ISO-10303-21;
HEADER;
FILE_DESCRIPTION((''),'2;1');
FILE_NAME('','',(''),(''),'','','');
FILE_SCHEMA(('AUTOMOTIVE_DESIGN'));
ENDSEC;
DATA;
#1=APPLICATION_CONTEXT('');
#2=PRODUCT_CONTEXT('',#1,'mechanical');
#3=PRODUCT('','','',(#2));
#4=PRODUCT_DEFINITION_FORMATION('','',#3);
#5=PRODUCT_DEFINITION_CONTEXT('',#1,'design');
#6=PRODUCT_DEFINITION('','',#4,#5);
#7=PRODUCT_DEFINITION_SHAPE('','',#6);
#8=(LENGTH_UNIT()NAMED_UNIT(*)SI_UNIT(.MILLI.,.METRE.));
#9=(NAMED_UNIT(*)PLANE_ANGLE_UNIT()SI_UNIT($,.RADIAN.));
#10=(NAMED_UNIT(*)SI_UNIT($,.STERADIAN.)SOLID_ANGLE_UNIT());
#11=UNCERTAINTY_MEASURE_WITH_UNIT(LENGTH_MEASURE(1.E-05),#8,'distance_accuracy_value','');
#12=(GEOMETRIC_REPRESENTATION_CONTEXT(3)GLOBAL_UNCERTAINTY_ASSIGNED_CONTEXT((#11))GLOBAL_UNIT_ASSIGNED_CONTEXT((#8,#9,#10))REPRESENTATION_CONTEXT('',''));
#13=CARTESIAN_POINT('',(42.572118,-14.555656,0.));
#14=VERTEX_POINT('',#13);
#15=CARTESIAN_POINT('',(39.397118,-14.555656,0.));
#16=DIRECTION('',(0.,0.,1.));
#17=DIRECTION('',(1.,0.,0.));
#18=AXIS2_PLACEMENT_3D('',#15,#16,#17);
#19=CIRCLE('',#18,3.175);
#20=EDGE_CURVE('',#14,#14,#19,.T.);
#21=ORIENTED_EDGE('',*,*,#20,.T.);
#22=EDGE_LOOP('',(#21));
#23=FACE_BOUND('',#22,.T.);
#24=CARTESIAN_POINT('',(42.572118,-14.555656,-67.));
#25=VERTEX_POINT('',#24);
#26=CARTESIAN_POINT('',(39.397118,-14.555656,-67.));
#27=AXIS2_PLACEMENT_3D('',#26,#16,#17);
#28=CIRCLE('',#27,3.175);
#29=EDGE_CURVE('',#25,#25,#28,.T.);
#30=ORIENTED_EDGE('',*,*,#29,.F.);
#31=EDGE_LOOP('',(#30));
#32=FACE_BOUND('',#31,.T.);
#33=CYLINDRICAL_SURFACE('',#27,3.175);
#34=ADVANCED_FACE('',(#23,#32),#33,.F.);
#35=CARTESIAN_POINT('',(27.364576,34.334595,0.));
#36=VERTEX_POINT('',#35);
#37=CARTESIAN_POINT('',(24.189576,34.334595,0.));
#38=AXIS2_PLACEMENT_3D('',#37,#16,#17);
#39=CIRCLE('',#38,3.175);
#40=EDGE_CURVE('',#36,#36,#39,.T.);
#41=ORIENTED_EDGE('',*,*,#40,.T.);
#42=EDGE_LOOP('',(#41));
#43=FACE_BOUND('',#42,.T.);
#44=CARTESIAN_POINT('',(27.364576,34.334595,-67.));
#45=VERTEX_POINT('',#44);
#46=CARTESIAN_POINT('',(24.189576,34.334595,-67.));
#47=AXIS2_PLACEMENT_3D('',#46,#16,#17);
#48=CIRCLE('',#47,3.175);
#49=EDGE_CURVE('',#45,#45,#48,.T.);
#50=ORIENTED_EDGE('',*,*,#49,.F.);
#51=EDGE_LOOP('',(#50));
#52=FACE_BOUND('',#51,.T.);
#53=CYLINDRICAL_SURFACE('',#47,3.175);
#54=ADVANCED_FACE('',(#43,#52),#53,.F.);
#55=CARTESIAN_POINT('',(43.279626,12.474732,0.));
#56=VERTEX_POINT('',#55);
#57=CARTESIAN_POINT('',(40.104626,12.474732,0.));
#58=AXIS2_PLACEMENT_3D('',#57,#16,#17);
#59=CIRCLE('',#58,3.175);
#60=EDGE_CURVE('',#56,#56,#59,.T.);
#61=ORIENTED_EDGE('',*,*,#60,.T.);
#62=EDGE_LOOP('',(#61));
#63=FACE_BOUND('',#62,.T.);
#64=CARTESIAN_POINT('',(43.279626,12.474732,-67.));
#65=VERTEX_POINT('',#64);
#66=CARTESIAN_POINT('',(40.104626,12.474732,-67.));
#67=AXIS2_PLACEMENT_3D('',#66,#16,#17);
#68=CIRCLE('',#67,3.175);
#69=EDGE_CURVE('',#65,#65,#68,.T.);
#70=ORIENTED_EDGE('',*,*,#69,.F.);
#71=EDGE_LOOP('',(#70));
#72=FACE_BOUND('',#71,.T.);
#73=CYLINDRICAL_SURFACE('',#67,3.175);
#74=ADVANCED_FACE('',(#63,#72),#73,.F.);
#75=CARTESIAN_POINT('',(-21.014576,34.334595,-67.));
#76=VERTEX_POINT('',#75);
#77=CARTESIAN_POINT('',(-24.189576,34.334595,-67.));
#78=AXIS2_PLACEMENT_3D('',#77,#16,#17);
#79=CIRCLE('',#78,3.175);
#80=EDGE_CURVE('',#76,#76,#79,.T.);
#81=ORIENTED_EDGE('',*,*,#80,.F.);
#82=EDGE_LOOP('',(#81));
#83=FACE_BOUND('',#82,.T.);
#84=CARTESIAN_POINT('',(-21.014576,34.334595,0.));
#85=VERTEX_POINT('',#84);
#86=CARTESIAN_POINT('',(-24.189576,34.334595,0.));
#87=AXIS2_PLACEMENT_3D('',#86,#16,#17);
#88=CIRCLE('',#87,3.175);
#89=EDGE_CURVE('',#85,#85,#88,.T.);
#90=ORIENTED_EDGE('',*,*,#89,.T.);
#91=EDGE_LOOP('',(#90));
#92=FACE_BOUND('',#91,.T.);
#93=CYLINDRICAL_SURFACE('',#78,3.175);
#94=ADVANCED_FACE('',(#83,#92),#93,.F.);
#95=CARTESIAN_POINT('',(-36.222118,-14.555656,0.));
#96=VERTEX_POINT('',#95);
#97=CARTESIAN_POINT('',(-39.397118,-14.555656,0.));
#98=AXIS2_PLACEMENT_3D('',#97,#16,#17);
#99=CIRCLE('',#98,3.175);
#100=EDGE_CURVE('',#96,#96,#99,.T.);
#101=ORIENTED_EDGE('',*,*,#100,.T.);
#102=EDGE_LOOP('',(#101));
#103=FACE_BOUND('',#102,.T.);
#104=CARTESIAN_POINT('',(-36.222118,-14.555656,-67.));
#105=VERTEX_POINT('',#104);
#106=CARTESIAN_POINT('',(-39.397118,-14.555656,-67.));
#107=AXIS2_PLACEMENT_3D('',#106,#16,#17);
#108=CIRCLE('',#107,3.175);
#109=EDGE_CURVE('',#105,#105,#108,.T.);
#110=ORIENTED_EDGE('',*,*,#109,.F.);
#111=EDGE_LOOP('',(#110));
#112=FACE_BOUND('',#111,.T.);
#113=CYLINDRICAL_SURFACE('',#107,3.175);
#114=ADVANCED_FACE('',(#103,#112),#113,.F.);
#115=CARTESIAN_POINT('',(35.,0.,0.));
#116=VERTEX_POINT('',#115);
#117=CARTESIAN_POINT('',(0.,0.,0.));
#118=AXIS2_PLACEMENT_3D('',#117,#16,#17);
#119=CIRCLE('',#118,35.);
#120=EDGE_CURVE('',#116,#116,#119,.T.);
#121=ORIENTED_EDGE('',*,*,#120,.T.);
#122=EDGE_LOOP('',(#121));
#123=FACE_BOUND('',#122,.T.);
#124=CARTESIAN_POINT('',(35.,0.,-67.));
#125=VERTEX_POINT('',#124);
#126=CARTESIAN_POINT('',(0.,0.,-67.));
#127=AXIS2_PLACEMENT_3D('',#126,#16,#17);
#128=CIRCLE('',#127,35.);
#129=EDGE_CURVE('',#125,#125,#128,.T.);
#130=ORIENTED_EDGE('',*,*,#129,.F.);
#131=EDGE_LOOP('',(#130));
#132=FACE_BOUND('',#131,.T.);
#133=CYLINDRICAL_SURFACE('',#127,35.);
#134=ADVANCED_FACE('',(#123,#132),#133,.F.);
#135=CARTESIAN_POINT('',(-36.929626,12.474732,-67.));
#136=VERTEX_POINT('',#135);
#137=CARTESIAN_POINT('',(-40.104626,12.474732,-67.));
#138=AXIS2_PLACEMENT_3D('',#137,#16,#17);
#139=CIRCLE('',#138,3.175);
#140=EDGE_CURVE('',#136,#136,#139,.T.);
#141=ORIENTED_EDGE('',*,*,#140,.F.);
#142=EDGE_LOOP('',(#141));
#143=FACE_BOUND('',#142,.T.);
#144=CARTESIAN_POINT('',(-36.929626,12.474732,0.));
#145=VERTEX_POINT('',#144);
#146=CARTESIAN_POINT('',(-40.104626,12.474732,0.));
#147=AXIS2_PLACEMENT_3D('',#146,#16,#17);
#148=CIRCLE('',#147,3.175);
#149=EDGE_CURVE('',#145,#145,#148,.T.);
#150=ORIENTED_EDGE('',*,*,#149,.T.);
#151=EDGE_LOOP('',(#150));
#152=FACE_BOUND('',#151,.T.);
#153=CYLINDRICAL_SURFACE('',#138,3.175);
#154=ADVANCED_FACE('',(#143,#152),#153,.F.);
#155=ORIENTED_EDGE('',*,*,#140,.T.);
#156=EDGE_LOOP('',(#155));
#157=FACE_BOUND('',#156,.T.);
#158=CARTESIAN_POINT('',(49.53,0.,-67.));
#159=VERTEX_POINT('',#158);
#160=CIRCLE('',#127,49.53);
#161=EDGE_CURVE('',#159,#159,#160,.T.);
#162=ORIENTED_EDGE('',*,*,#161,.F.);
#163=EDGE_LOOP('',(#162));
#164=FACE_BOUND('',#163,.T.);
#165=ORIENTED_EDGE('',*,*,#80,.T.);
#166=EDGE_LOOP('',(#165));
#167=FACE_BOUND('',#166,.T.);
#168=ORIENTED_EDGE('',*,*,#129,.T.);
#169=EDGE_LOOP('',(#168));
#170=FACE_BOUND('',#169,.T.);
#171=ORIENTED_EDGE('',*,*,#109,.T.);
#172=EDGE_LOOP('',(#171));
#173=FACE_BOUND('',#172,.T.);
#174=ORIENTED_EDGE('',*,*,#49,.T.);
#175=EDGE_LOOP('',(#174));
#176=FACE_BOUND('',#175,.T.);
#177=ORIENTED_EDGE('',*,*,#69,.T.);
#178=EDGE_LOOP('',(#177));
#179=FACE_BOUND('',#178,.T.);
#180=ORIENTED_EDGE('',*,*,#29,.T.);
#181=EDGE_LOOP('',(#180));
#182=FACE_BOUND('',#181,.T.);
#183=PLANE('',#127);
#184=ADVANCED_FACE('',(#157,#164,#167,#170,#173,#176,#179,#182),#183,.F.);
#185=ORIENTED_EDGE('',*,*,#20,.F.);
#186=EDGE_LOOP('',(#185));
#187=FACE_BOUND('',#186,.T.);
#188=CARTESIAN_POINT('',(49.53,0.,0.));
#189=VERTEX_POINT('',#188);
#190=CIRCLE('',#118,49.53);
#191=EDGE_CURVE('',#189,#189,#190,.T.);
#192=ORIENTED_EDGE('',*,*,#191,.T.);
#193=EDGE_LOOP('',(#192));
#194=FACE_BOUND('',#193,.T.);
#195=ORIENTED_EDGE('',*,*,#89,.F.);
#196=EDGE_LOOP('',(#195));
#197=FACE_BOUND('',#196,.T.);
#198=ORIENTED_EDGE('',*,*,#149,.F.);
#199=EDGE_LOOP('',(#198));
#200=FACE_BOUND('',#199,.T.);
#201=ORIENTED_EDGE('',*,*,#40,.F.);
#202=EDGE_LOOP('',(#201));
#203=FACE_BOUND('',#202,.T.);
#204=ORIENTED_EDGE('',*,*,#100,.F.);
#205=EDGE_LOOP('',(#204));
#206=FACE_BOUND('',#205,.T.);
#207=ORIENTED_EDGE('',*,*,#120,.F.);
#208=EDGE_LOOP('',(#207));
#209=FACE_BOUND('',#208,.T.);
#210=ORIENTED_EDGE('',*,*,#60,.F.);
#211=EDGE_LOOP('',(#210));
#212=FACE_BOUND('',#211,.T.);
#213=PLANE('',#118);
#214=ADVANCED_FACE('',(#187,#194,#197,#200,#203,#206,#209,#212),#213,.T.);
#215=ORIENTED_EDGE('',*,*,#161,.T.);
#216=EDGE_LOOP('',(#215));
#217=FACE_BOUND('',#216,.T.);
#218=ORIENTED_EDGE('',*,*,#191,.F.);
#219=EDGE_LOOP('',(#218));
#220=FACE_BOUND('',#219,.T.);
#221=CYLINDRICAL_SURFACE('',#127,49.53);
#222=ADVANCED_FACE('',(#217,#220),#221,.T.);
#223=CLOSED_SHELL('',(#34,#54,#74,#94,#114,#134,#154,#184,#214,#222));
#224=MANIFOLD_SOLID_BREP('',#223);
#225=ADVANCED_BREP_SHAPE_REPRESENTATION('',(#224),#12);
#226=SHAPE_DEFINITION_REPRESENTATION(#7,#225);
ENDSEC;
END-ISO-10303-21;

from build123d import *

# Parameters (mm, degrees)
SKETCH1_R           = 49.53
SKETCH1_R_2         = 3.175
SKETCH1_R_3         = 35
BOSS_EXTRUDE1_DEPTH = 67


with BuildPart() as part:
    # Sketch1 → Boss-Extrude1 (new body)
    with BuildSketch(Plane.XY):
        Circle(SKETCH1_R)
        with Locations((-39.397117561, -14.555656215)):
            Circle(SKETCH1_R_2, mode=Mode.SUBTRACT)
        Circle(SKETCH1_R_3, mode=Mode.SUBTRACT)
        with Locations((39.397117561, -14.555656215)):
            Circle(SKETCH1_R_2, mode=Mode.SUBTRACT)
        with Locations((-40.104626484, 12.474731845)):
            Circle(SKETCH1_R_2, mode=Mode.SUBTRACT)
        with Locations((-24.189576015, 34.334594977)):
            Circle(SKETCH1_R_2, mode=Mode.SUBTRACT)
        with Locations((40.104626484, 12.474731845)):
            Circle(SKETCH1_R_2, mode=Mode.SUBTRACT)
        with Locations((24.189576015, 34.334594977)):
            Circle(SKETCH1_R_2, mode=Mode.SUBTRACT)
    extrude(amount=-BOSS_EXTRUDE1_DEPTH)


solid = part.part
